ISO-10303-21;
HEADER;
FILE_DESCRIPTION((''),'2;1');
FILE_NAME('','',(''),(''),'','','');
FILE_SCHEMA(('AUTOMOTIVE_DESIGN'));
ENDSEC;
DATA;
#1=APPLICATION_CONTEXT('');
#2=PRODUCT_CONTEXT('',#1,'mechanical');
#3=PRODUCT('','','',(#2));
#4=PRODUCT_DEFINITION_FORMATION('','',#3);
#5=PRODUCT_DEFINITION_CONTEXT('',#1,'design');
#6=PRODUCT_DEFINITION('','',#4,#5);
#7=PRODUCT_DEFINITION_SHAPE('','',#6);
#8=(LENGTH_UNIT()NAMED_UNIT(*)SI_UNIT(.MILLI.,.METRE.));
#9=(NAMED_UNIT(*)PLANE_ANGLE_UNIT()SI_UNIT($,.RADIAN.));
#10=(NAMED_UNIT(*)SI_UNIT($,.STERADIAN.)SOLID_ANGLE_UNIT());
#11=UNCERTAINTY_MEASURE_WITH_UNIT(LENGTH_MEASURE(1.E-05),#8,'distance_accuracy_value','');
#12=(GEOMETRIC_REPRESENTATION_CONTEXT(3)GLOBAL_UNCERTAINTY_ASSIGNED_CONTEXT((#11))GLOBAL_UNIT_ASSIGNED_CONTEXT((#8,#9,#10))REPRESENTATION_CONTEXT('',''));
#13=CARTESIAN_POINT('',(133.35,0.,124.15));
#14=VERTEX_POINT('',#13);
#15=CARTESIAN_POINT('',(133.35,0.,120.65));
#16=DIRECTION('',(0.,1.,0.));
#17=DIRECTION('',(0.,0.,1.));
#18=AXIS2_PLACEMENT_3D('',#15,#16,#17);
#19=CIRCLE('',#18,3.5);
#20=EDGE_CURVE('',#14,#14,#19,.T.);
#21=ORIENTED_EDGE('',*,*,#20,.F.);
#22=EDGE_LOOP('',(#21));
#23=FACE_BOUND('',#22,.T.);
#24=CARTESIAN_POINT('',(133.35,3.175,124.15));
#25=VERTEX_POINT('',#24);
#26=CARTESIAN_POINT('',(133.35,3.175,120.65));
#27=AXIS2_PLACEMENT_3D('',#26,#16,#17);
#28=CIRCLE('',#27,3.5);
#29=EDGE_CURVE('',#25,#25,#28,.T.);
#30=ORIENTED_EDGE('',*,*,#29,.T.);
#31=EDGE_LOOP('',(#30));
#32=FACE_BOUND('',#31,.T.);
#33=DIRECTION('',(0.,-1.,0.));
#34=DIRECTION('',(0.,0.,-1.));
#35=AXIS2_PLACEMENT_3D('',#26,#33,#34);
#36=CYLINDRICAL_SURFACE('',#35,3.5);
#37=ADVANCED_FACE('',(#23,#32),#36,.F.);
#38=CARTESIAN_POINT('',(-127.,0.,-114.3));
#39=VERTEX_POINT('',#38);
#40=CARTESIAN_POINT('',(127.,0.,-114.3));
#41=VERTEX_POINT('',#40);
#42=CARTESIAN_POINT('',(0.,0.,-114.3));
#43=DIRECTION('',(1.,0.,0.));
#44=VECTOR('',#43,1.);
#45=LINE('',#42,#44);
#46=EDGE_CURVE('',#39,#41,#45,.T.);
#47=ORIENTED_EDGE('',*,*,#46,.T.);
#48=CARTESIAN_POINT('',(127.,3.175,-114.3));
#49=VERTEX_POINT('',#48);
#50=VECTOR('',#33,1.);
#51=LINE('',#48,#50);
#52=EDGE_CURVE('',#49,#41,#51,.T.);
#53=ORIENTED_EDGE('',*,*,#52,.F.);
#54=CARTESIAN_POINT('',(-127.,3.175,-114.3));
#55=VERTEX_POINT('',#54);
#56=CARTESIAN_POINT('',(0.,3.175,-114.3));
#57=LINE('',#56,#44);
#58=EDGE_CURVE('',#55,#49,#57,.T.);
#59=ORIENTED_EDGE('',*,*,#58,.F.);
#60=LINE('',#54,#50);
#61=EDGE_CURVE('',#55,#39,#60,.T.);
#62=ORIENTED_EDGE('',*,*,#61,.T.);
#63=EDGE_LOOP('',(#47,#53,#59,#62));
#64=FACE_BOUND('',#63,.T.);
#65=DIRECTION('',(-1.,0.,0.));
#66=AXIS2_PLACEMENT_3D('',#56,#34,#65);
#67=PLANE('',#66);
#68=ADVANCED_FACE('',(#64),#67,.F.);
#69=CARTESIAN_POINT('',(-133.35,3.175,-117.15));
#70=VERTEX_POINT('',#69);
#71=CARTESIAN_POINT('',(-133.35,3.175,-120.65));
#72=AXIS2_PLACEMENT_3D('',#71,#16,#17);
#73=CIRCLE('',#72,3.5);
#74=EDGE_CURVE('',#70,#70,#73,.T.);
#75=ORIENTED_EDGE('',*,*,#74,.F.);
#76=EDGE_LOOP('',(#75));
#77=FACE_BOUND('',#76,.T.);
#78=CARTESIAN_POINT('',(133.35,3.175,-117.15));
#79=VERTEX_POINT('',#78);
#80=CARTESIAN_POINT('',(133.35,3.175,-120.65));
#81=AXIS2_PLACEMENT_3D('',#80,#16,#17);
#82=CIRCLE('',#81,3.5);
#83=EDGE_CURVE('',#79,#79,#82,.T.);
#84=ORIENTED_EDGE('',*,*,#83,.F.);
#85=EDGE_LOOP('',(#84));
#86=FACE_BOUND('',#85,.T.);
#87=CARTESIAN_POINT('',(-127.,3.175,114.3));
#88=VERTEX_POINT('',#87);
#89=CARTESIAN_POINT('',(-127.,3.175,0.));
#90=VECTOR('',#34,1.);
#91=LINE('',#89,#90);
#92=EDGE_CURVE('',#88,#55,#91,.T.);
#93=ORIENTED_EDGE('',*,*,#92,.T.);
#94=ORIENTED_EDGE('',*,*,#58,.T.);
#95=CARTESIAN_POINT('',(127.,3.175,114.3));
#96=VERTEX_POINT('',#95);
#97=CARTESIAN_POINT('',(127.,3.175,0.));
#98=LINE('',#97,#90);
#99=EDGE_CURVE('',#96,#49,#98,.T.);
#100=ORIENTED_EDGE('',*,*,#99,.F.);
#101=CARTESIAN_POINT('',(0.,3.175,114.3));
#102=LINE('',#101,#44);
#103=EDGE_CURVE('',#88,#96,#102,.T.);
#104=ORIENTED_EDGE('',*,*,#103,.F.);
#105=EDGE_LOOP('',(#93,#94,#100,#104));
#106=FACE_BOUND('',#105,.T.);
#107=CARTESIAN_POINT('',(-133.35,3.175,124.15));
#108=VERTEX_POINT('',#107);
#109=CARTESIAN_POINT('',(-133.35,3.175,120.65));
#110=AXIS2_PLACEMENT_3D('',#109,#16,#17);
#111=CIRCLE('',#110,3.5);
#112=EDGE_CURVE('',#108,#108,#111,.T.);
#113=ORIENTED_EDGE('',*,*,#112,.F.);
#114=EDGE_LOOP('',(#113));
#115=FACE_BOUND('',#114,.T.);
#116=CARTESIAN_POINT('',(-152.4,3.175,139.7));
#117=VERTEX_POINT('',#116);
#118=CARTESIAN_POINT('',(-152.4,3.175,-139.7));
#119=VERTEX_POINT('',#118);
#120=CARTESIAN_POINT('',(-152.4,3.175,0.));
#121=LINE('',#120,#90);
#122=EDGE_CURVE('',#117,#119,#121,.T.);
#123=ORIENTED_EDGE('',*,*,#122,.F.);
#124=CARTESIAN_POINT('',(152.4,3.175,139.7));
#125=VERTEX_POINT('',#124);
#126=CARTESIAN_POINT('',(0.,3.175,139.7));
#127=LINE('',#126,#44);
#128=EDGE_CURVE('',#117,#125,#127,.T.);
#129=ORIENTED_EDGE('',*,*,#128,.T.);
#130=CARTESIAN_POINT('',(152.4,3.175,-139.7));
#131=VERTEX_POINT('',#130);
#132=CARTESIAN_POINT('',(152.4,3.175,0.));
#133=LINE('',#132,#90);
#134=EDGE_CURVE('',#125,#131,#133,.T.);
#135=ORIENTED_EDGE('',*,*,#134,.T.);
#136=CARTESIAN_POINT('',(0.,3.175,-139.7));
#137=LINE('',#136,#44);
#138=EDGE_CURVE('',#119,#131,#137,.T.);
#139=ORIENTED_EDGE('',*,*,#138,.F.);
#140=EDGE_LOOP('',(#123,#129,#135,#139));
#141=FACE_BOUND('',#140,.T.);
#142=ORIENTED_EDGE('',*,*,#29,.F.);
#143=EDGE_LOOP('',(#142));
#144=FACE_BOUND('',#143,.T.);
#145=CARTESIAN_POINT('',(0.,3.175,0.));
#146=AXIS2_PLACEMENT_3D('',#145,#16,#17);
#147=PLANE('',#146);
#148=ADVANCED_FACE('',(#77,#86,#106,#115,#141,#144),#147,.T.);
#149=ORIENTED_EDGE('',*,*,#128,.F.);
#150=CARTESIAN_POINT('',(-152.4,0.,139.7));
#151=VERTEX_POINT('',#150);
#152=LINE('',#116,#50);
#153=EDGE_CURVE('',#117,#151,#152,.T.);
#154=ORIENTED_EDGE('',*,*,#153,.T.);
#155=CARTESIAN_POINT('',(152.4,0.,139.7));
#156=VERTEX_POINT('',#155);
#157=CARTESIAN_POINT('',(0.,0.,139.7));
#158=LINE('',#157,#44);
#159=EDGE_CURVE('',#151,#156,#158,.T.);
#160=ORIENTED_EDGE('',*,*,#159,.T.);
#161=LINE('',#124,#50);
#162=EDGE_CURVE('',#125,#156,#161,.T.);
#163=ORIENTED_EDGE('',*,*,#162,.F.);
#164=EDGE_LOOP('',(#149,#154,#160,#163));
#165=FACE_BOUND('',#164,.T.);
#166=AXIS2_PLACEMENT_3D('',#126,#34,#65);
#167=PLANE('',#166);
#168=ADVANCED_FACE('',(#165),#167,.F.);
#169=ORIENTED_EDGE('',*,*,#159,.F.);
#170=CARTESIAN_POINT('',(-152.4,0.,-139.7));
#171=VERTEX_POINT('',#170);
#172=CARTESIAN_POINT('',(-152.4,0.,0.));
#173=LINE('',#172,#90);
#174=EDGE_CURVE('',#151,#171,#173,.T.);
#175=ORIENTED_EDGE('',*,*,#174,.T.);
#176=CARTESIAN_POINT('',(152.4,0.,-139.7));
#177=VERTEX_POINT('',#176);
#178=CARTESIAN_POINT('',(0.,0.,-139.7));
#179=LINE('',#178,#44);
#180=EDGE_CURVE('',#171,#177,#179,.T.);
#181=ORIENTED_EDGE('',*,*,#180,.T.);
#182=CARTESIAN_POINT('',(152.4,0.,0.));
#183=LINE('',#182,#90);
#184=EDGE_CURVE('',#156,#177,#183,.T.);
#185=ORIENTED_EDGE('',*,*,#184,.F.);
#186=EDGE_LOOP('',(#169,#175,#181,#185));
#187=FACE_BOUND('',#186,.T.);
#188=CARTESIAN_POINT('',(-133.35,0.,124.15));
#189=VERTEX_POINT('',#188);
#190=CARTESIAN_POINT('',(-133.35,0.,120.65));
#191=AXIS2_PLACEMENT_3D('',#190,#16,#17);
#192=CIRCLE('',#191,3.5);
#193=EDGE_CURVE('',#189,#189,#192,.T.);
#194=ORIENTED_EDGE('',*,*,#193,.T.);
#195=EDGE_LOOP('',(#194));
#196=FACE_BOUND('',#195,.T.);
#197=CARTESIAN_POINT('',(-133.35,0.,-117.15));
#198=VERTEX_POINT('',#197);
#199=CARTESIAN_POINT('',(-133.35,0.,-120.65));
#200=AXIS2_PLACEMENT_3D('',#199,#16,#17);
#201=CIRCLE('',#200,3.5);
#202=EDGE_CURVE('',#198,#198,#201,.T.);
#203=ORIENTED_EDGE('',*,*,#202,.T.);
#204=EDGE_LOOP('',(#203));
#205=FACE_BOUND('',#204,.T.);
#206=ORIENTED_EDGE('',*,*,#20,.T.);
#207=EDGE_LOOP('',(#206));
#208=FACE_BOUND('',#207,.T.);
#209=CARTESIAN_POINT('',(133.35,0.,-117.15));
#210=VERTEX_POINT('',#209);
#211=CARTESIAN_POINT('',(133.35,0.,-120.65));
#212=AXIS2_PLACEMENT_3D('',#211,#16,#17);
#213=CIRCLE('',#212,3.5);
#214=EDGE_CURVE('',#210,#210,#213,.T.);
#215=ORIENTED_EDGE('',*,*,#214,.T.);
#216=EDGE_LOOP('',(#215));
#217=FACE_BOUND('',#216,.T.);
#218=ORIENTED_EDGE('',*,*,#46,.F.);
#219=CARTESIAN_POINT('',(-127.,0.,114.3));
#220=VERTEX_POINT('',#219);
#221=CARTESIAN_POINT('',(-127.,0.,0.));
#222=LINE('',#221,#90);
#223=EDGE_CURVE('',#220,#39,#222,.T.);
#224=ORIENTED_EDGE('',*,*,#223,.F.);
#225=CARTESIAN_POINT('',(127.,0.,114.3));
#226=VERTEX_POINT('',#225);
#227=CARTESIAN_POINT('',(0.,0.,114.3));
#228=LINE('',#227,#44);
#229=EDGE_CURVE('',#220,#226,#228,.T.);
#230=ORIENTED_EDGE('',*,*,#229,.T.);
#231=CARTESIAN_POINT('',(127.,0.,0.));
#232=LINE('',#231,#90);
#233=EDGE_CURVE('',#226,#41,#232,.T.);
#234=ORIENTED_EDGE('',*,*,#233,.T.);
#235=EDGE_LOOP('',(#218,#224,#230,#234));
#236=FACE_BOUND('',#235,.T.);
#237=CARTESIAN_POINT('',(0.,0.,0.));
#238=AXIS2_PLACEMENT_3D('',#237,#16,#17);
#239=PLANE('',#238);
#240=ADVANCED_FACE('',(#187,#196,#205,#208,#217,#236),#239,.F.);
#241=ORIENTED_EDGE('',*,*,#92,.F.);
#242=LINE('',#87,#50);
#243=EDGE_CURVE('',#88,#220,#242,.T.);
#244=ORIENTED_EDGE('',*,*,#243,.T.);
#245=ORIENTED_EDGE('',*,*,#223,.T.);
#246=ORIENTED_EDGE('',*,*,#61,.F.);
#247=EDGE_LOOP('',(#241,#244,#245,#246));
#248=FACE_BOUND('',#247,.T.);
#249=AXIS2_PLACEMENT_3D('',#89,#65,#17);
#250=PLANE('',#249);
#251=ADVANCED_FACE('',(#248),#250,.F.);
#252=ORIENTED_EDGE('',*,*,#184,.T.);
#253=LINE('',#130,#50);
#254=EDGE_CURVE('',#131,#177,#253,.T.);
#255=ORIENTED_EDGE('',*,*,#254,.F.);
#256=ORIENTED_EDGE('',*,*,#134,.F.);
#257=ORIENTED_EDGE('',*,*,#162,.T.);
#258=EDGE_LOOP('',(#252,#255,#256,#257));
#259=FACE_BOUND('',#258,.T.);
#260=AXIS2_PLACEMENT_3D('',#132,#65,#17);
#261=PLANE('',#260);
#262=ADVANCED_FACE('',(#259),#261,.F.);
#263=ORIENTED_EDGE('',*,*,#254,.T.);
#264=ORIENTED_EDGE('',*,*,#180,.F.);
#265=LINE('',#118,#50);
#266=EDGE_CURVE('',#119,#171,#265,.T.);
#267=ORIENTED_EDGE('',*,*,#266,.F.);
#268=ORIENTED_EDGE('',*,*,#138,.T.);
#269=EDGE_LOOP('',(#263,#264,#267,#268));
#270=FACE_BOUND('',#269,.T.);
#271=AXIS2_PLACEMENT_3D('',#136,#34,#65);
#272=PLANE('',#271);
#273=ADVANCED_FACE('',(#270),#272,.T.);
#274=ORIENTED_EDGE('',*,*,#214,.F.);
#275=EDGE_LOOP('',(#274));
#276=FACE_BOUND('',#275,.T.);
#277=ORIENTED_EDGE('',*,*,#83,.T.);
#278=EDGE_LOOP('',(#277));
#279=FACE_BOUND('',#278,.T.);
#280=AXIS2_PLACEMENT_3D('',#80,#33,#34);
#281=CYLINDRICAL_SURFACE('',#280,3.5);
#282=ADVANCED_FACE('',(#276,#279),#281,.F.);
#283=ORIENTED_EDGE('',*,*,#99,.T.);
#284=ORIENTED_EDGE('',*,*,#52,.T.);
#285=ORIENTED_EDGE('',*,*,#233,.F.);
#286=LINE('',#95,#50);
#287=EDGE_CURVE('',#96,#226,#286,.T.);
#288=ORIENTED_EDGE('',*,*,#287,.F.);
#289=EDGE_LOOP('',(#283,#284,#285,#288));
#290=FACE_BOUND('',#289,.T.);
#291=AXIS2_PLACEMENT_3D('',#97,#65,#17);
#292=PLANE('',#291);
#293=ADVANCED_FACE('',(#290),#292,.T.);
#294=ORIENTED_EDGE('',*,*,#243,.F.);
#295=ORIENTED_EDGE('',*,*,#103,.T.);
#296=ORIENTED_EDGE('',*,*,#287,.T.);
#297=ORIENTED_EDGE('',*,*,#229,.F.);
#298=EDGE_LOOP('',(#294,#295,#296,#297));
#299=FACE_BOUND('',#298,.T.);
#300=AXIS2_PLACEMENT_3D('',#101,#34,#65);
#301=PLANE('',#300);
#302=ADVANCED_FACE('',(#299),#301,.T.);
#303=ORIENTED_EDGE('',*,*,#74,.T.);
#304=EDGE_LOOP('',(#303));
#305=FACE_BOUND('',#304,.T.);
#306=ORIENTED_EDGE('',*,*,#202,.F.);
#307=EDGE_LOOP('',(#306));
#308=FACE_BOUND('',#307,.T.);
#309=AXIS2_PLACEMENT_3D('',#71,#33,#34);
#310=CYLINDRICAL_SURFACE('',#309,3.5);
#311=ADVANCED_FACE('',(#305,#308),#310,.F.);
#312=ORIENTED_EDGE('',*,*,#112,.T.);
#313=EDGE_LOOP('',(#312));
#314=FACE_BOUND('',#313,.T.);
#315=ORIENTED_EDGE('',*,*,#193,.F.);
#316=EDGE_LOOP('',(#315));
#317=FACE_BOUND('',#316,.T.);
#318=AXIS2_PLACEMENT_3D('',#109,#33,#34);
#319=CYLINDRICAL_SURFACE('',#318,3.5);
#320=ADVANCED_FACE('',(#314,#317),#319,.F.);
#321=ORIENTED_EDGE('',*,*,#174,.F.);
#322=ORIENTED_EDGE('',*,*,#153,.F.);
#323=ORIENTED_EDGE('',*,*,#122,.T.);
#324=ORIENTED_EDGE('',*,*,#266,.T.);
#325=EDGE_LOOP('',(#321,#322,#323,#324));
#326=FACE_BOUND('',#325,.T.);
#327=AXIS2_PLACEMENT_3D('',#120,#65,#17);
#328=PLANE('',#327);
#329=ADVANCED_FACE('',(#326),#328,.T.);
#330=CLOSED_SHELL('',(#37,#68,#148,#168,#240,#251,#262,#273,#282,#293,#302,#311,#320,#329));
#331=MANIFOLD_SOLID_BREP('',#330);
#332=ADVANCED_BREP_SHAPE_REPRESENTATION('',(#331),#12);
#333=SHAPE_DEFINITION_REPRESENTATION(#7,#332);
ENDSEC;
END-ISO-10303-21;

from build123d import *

# Parameters (mm, degrees)
SKETCH2_W           = 304.8
SKETCH2_H           = 279.4
SKETCH2_R           = 3.5
SKETCH2_W_2         = 254
SKETCH2_H_2         = 228.6
BOSS_EXTRUDE1_DEPTH = 3.175


with BuildPart() as part:
    # Sketch2 → Boss-Extrude1 (new body)
    with BuildSketch(Plane(origin=(0, 0, 0), x_dir=(1, 0, 0), z_dir=(0, 1, 0))):
        Rectangle(SKETCH2_W, SKETCH2_H)
        with Locations((-133.35, 120.65)):
            Circle(SKETCH2_R, mode=Mode.SUBTRACT)
        with Locations((133.35, 120.65)):
            Circle(SKETCH2_R, mode=Mode.SUBTRACT)
        with Locations((133.35, -120.65)):
            Circle(SKETCH2_R, mode=Mode.SUBTRACT)
        with Locations((-133.35, -120.65)):
            Circle(SKETCH2_R, mode=Mode.SUBTRACT)
        Rectangle(SKETCH2_W_2, SKETCH2_H_2, mode=Mode.SUBTRACT)
    extrude(amount=BOSS_EXTRUDE1_DEPTH)


solid = part.part
